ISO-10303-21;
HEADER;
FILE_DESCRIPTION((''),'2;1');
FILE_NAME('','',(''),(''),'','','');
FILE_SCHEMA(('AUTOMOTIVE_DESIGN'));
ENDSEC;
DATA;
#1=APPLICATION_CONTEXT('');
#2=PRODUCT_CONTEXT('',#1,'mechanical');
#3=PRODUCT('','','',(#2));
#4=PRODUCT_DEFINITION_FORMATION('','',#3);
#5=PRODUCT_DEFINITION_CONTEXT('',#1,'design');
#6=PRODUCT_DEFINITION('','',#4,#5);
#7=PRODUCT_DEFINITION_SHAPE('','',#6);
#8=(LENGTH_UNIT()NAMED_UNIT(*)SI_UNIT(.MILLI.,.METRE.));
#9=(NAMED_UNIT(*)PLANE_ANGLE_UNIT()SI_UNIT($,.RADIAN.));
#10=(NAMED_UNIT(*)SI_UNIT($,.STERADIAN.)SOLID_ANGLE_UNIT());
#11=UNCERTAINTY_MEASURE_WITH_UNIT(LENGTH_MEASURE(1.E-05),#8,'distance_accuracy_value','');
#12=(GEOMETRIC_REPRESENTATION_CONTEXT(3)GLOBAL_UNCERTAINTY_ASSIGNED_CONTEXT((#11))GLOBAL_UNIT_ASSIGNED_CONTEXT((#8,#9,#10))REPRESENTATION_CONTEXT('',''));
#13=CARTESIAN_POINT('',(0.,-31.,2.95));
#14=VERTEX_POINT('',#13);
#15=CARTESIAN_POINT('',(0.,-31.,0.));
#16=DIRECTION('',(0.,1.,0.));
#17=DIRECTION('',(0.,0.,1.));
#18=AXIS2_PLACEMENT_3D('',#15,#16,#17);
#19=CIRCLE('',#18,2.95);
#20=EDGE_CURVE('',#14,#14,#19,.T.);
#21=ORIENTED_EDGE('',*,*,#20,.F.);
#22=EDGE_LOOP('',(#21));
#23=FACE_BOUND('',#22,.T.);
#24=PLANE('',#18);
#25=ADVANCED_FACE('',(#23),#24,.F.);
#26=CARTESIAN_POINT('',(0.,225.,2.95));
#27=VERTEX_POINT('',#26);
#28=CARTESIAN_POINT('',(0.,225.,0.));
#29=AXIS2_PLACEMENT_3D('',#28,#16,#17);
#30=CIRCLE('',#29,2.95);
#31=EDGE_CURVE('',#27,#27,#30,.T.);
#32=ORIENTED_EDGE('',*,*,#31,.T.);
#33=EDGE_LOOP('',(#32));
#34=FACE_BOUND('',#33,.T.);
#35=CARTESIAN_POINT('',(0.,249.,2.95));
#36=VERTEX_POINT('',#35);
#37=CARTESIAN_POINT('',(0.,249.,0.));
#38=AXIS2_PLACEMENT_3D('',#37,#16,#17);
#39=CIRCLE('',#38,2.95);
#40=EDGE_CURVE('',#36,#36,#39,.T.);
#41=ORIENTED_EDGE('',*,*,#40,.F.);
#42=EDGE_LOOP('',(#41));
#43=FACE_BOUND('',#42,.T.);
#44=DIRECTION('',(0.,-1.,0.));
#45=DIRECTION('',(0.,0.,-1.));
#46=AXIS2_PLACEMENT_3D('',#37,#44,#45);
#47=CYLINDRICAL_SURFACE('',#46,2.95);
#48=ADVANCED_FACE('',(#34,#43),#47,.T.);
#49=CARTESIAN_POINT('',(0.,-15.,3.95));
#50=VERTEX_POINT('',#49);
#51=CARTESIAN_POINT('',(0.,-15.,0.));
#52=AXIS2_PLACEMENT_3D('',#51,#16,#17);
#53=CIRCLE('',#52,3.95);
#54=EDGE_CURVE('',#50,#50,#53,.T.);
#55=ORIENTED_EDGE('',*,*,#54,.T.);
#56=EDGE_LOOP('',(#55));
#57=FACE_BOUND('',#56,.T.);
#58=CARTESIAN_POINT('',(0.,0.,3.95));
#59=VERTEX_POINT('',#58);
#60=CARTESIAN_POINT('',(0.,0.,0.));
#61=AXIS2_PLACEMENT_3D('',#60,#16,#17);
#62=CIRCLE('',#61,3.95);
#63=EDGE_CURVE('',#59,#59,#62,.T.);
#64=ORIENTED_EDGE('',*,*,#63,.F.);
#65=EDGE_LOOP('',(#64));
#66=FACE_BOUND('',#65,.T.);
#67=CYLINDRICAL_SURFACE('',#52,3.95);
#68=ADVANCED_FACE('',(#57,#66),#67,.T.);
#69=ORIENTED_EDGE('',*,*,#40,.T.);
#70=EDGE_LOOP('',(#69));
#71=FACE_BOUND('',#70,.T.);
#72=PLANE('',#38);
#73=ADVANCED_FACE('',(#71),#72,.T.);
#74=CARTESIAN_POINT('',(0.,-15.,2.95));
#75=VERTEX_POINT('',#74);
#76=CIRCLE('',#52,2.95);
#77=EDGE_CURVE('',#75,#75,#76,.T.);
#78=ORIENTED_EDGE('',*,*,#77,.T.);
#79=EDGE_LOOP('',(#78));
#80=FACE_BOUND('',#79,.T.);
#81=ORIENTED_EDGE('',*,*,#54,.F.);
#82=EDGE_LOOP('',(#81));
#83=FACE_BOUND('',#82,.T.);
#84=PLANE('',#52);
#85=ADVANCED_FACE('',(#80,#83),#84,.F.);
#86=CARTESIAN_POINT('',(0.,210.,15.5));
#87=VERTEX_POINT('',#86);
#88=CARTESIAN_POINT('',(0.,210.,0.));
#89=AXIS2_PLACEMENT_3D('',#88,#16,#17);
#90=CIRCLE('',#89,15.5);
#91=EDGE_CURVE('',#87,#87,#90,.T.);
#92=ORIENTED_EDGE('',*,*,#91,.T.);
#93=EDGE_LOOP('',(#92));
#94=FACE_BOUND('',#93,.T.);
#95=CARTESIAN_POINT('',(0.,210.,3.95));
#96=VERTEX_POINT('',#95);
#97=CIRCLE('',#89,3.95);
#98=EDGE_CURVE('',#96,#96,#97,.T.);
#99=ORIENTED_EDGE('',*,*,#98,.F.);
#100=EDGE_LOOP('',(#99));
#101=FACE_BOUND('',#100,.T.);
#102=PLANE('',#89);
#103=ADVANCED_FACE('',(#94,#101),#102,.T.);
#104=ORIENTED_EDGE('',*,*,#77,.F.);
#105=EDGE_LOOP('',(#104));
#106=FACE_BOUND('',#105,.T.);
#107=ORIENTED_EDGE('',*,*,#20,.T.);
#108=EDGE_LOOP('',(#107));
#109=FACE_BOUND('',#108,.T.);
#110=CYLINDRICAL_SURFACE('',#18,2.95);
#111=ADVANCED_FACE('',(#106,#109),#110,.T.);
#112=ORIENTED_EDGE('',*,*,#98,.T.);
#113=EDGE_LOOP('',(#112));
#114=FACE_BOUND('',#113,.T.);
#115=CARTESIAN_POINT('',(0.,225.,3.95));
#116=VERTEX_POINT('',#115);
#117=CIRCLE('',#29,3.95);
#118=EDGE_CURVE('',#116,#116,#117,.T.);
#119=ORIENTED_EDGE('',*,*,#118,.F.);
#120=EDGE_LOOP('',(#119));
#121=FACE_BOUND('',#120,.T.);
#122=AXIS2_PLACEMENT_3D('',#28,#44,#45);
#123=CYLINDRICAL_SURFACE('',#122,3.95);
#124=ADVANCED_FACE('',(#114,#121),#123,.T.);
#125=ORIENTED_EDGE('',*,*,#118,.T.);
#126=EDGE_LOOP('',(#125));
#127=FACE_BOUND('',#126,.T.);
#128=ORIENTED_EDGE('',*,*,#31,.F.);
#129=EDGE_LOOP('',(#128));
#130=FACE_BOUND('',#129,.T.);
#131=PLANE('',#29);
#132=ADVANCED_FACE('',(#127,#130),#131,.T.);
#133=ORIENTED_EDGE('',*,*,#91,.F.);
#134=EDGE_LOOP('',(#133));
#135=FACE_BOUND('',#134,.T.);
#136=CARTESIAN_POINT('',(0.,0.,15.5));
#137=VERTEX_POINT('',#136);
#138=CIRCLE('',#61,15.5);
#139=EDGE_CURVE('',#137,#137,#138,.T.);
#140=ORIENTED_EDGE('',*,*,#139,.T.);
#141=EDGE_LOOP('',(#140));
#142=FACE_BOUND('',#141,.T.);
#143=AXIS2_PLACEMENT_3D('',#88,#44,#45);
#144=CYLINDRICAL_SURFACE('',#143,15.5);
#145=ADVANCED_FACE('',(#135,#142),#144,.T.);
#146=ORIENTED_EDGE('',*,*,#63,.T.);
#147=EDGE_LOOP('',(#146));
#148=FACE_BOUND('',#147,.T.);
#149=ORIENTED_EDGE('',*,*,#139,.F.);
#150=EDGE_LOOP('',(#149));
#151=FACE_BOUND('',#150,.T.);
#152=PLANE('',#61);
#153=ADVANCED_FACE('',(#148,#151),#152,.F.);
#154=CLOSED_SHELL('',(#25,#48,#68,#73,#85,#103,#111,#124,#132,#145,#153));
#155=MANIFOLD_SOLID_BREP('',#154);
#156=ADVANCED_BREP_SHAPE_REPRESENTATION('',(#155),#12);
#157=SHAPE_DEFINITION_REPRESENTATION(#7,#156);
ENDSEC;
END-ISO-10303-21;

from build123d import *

# Parameters (mm, degrees)
SKETCH1_R            = 15.5
BOSS_EXTRUDE8_DEPTH  = 210
SKETCH1_9_R          = 3.95
BOSS_EXTRUDE9_DEPTH  = 15
BOSS_EXTRUDE10_START = -15
SKETCH1_10_R         = 2.95
BOSS_EXTRUDE10_DEPTH = 16
BOSS_EXTRUDE11_START = 225
SKETCH1_11_R         = 3.95
BOSS_EXTRUDE11_DEPTH = 15
BOSS_EXTRUDE12_START = 24
SKETCH2_R            = 2.95
BOSS_EXTRUDE12_DEPTH = 24


with BuildPart() as part:
    # Sketch1 → Boss-Extrude8 (new body)
    with BuildSketch(Plane(origin=(0, 0, 0), x_dir=(1, 0, 0), z_dir=(0, 1, 0))):
        with Locations(Location((0, 0, 0), (0, 0, 270))):
            Circle(SKETCH1_R)
    extrude(amount=BOSS_EXTRUDE8_DEPTH)

    # Sketch1<9> → Boss-Extrude9 (add)
    with BuildSketch(Plane(origin=(0, 0, 0), x_dir=(1, 0, 0), z_dir=(0, 1, 0))):
        with Locations(Location((0, 0, 0), (0, 0, 270))):
            Circle(SKETCH1_9_R)
    extrude(amount=-BOSS_EXTRUDE9_DEPTH)

    # Sketch1<10> → Boss-Extrude10 (add)
    with BuildSketch(Plane(origin=(0, 0, 0), x_dir=(1, 0, 0), z_dir=(0, 1, 0)).offset(BOSS_EXTRUDE10_START)):
        with Locations(Location((0, 0, 0), (0, 0, 270))):
            Circle(SKETCH1_10_R)
    extrude(amount=-BOSS_EXTRUDE10_DEPTH)

    # Sketch1<11> → Boss-Extrude11 (add)
    with BuildSketch(Plane(origin=(0, 0, 0), x_dir=(1, 0, 0), z_dir=(0, 1, 0)).offset(BOSS_EXTRUDE11_START)):
        with Locations(Location((0, 0, 0), (0, 0, 270))):
            Circle(SKETCH1_11_R)
    extrude(amount=-BOSS_EXTRUDE11_DEPTH)

    # Sketch2 → Boss-Extrude12 (add)
    with BuildSketch(Plane(origin=(0, 225, 0), x_dir=(1, 0, 0), z_dir=(0, 1, 0)).offset(BOSS_EXTRUDE12_START)):
        with Locations(Location((0, 0, 0), (0, 0, 270))):
            Circle(SKETCH2_R)
    extrude(amount=-BOSS_EXTRUDE12_DEPTH)


solid = part.part
